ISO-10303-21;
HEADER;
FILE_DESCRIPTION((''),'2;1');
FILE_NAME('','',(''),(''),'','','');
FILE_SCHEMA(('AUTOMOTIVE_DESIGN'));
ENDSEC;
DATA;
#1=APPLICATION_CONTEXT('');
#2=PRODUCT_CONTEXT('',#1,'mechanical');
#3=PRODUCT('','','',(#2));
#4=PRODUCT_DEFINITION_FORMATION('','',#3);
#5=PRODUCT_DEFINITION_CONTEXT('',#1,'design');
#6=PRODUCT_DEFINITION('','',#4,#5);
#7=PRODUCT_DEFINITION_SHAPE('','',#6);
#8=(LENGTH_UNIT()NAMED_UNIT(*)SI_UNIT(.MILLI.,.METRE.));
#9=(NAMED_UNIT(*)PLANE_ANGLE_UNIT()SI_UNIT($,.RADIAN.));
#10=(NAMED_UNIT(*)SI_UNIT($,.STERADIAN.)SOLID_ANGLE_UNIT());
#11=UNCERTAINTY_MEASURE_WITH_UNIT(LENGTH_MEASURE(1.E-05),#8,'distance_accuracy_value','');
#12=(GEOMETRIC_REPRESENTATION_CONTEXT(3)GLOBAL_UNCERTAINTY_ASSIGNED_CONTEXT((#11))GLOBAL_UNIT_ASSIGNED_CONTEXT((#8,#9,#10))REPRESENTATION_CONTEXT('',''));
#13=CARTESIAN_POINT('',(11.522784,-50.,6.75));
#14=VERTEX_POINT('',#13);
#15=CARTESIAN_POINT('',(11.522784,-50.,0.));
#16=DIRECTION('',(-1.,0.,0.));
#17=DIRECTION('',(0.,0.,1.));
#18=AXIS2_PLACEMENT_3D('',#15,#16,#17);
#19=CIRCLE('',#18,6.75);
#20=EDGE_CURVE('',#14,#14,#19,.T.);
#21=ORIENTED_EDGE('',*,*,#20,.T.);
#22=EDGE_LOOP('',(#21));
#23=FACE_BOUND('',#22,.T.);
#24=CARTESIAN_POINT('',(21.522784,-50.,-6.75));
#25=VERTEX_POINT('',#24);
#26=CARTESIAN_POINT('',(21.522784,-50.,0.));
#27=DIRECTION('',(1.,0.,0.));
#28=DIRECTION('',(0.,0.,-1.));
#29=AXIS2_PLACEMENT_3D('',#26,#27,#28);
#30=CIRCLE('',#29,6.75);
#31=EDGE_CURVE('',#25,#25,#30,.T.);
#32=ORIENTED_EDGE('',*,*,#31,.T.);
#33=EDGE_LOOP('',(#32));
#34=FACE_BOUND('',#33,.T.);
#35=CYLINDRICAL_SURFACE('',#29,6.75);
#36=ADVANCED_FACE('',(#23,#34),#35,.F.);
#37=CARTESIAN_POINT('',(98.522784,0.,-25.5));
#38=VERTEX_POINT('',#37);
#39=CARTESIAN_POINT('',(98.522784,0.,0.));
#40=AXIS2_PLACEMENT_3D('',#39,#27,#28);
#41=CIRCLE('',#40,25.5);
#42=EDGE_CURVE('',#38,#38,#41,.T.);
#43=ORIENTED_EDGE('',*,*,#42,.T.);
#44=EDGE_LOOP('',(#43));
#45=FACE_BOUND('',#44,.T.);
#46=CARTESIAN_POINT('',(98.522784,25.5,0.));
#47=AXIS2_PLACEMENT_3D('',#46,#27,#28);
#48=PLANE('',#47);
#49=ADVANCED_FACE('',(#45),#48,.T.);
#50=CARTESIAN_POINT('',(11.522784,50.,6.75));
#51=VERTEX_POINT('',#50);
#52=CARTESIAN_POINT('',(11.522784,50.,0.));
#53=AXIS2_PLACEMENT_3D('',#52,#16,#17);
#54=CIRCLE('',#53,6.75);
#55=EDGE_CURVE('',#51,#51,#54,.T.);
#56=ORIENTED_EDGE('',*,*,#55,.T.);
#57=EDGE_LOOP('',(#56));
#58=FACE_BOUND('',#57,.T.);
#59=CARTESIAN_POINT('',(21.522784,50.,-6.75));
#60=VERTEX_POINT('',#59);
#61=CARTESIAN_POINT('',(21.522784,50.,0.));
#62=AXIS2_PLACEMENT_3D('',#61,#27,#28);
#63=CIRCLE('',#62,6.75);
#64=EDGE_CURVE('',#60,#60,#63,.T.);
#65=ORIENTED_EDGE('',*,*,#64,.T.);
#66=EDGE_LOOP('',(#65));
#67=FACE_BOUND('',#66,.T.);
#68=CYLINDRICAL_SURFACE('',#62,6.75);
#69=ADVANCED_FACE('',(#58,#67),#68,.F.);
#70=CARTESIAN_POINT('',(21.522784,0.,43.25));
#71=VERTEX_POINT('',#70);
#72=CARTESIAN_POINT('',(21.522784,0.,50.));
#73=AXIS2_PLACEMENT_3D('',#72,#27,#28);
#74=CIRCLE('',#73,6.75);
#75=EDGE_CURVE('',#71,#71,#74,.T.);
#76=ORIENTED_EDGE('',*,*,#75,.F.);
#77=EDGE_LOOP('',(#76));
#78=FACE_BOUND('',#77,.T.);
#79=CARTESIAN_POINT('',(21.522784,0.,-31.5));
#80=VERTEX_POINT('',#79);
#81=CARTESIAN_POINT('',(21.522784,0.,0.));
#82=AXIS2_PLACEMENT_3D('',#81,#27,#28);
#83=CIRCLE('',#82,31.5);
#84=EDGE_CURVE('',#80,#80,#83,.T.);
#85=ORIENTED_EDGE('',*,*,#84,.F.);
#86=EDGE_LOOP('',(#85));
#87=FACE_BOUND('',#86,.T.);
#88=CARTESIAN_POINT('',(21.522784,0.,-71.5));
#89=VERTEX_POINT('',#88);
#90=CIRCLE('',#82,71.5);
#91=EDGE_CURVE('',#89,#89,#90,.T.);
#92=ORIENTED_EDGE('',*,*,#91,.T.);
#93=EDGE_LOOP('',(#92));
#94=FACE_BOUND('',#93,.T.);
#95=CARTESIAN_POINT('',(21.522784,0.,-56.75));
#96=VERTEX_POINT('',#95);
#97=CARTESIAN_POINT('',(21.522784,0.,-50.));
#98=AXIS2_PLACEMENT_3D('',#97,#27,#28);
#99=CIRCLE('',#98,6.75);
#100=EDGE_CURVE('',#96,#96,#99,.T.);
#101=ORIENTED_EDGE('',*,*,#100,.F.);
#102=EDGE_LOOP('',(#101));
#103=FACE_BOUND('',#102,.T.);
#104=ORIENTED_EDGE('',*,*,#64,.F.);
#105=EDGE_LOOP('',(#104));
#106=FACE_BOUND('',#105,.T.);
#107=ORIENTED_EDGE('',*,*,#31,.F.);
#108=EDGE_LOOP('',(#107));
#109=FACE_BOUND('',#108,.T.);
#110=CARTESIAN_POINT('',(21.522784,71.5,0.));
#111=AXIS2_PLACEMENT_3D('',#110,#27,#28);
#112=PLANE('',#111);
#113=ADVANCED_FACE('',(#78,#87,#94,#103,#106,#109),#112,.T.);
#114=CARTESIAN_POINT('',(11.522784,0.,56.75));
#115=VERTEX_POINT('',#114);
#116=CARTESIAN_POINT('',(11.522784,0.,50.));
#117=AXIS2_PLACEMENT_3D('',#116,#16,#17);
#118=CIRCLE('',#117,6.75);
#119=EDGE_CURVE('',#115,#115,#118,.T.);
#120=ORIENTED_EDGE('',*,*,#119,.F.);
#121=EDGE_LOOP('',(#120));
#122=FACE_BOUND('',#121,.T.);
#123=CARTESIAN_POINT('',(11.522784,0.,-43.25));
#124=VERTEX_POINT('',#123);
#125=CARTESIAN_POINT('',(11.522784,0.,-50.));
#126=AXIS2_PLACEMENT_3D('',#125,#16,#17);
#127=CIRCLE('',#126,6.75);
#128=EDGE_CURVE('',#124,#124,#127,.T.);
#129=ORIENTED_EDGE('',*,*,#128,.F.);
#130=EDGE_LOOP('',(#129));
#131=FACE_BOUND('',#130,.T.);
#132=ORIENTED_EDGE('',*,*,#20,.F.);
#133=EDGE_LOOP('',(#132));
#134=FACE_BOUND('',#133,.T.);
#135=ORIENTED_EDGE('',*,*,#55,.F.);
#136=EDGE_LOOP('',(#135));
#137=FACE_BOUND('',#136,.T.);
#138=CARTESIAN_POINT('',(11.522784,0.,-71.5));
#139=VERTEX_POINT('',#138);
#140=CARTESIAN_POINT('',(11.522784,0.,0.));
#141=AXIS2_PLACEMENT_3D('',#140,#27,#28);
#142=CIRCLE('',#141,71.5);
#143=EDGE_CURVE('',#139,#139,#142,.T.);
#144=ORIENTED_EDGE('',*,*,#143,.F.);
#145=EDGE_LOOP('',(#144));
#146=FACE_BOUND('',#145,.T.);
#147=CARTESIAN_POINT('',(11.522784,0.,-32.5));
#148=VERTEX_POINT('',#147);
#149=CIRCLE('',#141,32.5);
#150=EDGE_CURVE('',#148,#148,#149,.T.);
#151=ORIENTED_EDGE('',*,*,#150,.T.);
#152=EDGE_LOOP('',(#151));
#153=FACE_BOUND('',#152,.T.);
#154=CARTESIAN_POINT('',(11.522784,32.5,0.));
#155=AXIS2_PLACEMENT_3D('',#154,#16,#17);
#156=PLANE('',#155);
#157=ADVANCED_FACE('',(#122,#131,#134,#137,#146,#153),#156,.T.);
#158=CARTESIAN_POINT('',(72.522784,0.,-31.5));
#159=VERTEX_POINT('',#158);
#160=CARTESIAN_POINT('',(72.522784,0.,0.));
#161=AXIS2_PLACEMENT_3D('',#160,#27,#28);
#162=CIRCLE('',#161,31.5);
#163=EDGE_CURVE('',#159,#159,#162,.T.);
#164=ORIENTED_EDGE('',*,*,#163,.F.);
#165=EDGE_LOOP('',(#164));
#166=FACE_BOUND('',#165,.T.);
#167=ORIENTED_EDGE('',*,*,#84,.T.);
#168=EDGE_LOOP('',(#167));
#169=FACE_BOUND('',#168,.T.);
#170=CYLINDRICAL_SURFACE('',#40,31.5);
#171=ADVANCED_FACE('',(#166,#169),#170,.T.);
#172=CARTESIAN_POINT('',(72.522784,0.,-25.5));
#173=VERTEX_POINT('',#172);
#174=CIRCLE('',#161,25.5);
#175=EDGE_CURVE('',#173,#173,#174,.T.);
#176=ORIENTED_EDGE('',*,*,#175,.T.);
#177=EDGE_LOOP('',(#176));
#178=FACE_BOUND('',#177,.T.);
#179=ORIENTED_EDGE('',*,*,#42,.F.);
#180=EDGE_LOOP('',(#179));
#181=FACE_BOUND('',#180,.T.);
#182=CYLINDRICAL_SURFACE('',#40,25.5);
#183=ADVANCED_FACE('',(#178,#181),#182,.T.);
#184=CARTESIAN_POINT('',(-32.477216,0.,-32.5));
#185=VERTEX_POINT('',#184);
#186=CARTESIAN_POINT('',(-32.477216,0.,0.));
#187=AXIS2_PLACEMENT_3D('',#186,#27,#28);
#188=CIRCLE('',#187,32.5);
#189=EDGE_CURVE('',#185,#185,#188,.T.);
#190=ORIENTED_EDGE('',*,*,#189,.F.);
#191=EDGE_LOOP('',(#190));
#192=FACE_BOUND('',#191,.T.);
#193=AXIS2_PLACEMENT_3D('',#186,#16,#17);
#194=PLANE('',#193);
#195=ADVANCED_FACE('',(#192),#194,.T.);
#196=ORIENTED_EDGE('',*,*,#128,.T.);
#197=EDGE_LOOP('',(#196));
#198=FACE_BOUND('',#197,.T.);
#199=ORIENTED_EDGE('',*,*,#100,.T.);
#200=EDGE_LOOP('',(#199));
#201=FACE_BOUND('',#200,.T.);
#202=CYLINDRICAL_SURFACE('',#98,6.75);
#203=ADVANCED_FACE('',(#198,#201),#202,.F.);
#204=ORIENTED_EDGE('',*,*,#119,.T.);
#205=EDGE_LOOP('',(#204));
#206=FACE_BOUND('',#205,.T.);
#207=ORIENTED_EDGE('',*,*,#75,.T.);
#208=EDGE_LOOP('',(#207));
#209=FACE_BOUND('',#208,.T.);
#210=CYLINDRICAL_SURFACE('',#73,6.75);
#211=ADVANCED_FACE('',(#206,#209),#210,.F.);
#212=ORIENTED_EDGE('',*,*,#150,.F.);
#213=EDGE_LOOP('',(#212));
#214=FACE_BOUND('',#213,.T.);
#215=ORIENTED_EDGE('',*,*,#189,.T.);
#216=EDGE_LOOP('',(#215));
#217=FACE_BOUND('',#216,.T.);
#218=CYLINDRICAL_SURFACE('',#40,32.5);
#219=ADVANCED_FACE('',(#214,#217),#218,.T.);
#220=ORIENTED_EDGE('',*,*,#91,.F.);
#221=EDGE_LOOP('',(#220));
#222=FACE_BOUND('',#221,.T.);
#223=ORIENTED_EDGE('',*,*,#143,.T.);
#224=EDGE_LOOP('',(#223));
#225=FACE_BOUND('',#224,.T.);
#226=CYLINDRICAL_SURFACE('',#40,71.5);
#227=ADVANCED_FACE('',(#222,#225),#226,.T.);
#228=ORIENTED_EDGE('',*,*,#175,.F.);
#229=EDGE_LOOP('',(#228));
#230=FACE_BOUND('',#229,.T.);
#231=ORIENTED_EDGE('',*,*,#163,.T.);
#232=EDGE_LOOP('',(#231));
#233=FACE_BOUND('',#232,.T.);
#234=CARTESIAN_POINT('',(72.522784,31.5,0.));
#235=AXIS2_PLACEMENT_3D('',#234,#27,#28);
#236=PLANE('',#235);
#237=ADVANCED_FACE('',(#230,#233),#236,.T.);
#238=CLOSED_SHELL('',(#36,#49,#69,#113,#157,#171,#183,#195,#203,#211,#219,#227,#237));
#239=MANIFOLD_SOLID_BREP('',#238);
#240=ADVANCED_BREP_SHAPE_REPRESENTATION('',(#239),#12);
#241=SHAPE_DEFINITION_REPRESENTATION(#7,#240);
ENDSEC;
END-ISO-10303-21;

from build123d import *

# Parameters (mm, degrees)
M12_CLEARANCE_HOLE1_D = 13.5
CIRPATTERN1_COUNT     = 4


with BuildPart() as part:
    # Sketch1 → Revolve1 (revolve)
    with BuildSketch(Plane.XY, mode=Mode.PRIVATE) as revolve1_sk:
        Polygon((-32.477216022, 0), (-32.477216022, 32.5), (11.522783978, 32.5), (11.522783978, 71.5), (21.522783978, 71.5), (21.522783978, 31.5), (72.522783978, 31.5), (72.522783978, 25.5), (98.522783978, 25.5), (98.522783978, 0), align=None)
    revolve(revolve1_sk.sketch.rotate(Axis((98.522783978, 0, 0), (-1, 0, 0)), 90), axis=Axis((98.522783978, 0, 0), (-1, 0, 0)))

    # M12 Clearance Hole1 (through all)
    with Locations(Plane(origin=(21.522783978, 50, 0), x_dir=(0, 0, 1), z_dir=(1, 0, 0))):
        with Locations((0, 0)):
            m12_clearance_hole1 = Hole(M12_CLEARANCE_HOLE1_D / 2)

    # CirPattern1: M12 Clearance Hole1 ×4 about axis
    cirpattern1_axis = Axis((0, 0, 0), (1, 0, 0))
    for i in range(1, CIRPATTERN1_COUNT):
        add(m12_clearance_hole1.rotate(cirpattern1_axis, i * 360 / CIRPATTERN1_COUNT), mode=Mode.SUBTRACT)


solid = part.part
